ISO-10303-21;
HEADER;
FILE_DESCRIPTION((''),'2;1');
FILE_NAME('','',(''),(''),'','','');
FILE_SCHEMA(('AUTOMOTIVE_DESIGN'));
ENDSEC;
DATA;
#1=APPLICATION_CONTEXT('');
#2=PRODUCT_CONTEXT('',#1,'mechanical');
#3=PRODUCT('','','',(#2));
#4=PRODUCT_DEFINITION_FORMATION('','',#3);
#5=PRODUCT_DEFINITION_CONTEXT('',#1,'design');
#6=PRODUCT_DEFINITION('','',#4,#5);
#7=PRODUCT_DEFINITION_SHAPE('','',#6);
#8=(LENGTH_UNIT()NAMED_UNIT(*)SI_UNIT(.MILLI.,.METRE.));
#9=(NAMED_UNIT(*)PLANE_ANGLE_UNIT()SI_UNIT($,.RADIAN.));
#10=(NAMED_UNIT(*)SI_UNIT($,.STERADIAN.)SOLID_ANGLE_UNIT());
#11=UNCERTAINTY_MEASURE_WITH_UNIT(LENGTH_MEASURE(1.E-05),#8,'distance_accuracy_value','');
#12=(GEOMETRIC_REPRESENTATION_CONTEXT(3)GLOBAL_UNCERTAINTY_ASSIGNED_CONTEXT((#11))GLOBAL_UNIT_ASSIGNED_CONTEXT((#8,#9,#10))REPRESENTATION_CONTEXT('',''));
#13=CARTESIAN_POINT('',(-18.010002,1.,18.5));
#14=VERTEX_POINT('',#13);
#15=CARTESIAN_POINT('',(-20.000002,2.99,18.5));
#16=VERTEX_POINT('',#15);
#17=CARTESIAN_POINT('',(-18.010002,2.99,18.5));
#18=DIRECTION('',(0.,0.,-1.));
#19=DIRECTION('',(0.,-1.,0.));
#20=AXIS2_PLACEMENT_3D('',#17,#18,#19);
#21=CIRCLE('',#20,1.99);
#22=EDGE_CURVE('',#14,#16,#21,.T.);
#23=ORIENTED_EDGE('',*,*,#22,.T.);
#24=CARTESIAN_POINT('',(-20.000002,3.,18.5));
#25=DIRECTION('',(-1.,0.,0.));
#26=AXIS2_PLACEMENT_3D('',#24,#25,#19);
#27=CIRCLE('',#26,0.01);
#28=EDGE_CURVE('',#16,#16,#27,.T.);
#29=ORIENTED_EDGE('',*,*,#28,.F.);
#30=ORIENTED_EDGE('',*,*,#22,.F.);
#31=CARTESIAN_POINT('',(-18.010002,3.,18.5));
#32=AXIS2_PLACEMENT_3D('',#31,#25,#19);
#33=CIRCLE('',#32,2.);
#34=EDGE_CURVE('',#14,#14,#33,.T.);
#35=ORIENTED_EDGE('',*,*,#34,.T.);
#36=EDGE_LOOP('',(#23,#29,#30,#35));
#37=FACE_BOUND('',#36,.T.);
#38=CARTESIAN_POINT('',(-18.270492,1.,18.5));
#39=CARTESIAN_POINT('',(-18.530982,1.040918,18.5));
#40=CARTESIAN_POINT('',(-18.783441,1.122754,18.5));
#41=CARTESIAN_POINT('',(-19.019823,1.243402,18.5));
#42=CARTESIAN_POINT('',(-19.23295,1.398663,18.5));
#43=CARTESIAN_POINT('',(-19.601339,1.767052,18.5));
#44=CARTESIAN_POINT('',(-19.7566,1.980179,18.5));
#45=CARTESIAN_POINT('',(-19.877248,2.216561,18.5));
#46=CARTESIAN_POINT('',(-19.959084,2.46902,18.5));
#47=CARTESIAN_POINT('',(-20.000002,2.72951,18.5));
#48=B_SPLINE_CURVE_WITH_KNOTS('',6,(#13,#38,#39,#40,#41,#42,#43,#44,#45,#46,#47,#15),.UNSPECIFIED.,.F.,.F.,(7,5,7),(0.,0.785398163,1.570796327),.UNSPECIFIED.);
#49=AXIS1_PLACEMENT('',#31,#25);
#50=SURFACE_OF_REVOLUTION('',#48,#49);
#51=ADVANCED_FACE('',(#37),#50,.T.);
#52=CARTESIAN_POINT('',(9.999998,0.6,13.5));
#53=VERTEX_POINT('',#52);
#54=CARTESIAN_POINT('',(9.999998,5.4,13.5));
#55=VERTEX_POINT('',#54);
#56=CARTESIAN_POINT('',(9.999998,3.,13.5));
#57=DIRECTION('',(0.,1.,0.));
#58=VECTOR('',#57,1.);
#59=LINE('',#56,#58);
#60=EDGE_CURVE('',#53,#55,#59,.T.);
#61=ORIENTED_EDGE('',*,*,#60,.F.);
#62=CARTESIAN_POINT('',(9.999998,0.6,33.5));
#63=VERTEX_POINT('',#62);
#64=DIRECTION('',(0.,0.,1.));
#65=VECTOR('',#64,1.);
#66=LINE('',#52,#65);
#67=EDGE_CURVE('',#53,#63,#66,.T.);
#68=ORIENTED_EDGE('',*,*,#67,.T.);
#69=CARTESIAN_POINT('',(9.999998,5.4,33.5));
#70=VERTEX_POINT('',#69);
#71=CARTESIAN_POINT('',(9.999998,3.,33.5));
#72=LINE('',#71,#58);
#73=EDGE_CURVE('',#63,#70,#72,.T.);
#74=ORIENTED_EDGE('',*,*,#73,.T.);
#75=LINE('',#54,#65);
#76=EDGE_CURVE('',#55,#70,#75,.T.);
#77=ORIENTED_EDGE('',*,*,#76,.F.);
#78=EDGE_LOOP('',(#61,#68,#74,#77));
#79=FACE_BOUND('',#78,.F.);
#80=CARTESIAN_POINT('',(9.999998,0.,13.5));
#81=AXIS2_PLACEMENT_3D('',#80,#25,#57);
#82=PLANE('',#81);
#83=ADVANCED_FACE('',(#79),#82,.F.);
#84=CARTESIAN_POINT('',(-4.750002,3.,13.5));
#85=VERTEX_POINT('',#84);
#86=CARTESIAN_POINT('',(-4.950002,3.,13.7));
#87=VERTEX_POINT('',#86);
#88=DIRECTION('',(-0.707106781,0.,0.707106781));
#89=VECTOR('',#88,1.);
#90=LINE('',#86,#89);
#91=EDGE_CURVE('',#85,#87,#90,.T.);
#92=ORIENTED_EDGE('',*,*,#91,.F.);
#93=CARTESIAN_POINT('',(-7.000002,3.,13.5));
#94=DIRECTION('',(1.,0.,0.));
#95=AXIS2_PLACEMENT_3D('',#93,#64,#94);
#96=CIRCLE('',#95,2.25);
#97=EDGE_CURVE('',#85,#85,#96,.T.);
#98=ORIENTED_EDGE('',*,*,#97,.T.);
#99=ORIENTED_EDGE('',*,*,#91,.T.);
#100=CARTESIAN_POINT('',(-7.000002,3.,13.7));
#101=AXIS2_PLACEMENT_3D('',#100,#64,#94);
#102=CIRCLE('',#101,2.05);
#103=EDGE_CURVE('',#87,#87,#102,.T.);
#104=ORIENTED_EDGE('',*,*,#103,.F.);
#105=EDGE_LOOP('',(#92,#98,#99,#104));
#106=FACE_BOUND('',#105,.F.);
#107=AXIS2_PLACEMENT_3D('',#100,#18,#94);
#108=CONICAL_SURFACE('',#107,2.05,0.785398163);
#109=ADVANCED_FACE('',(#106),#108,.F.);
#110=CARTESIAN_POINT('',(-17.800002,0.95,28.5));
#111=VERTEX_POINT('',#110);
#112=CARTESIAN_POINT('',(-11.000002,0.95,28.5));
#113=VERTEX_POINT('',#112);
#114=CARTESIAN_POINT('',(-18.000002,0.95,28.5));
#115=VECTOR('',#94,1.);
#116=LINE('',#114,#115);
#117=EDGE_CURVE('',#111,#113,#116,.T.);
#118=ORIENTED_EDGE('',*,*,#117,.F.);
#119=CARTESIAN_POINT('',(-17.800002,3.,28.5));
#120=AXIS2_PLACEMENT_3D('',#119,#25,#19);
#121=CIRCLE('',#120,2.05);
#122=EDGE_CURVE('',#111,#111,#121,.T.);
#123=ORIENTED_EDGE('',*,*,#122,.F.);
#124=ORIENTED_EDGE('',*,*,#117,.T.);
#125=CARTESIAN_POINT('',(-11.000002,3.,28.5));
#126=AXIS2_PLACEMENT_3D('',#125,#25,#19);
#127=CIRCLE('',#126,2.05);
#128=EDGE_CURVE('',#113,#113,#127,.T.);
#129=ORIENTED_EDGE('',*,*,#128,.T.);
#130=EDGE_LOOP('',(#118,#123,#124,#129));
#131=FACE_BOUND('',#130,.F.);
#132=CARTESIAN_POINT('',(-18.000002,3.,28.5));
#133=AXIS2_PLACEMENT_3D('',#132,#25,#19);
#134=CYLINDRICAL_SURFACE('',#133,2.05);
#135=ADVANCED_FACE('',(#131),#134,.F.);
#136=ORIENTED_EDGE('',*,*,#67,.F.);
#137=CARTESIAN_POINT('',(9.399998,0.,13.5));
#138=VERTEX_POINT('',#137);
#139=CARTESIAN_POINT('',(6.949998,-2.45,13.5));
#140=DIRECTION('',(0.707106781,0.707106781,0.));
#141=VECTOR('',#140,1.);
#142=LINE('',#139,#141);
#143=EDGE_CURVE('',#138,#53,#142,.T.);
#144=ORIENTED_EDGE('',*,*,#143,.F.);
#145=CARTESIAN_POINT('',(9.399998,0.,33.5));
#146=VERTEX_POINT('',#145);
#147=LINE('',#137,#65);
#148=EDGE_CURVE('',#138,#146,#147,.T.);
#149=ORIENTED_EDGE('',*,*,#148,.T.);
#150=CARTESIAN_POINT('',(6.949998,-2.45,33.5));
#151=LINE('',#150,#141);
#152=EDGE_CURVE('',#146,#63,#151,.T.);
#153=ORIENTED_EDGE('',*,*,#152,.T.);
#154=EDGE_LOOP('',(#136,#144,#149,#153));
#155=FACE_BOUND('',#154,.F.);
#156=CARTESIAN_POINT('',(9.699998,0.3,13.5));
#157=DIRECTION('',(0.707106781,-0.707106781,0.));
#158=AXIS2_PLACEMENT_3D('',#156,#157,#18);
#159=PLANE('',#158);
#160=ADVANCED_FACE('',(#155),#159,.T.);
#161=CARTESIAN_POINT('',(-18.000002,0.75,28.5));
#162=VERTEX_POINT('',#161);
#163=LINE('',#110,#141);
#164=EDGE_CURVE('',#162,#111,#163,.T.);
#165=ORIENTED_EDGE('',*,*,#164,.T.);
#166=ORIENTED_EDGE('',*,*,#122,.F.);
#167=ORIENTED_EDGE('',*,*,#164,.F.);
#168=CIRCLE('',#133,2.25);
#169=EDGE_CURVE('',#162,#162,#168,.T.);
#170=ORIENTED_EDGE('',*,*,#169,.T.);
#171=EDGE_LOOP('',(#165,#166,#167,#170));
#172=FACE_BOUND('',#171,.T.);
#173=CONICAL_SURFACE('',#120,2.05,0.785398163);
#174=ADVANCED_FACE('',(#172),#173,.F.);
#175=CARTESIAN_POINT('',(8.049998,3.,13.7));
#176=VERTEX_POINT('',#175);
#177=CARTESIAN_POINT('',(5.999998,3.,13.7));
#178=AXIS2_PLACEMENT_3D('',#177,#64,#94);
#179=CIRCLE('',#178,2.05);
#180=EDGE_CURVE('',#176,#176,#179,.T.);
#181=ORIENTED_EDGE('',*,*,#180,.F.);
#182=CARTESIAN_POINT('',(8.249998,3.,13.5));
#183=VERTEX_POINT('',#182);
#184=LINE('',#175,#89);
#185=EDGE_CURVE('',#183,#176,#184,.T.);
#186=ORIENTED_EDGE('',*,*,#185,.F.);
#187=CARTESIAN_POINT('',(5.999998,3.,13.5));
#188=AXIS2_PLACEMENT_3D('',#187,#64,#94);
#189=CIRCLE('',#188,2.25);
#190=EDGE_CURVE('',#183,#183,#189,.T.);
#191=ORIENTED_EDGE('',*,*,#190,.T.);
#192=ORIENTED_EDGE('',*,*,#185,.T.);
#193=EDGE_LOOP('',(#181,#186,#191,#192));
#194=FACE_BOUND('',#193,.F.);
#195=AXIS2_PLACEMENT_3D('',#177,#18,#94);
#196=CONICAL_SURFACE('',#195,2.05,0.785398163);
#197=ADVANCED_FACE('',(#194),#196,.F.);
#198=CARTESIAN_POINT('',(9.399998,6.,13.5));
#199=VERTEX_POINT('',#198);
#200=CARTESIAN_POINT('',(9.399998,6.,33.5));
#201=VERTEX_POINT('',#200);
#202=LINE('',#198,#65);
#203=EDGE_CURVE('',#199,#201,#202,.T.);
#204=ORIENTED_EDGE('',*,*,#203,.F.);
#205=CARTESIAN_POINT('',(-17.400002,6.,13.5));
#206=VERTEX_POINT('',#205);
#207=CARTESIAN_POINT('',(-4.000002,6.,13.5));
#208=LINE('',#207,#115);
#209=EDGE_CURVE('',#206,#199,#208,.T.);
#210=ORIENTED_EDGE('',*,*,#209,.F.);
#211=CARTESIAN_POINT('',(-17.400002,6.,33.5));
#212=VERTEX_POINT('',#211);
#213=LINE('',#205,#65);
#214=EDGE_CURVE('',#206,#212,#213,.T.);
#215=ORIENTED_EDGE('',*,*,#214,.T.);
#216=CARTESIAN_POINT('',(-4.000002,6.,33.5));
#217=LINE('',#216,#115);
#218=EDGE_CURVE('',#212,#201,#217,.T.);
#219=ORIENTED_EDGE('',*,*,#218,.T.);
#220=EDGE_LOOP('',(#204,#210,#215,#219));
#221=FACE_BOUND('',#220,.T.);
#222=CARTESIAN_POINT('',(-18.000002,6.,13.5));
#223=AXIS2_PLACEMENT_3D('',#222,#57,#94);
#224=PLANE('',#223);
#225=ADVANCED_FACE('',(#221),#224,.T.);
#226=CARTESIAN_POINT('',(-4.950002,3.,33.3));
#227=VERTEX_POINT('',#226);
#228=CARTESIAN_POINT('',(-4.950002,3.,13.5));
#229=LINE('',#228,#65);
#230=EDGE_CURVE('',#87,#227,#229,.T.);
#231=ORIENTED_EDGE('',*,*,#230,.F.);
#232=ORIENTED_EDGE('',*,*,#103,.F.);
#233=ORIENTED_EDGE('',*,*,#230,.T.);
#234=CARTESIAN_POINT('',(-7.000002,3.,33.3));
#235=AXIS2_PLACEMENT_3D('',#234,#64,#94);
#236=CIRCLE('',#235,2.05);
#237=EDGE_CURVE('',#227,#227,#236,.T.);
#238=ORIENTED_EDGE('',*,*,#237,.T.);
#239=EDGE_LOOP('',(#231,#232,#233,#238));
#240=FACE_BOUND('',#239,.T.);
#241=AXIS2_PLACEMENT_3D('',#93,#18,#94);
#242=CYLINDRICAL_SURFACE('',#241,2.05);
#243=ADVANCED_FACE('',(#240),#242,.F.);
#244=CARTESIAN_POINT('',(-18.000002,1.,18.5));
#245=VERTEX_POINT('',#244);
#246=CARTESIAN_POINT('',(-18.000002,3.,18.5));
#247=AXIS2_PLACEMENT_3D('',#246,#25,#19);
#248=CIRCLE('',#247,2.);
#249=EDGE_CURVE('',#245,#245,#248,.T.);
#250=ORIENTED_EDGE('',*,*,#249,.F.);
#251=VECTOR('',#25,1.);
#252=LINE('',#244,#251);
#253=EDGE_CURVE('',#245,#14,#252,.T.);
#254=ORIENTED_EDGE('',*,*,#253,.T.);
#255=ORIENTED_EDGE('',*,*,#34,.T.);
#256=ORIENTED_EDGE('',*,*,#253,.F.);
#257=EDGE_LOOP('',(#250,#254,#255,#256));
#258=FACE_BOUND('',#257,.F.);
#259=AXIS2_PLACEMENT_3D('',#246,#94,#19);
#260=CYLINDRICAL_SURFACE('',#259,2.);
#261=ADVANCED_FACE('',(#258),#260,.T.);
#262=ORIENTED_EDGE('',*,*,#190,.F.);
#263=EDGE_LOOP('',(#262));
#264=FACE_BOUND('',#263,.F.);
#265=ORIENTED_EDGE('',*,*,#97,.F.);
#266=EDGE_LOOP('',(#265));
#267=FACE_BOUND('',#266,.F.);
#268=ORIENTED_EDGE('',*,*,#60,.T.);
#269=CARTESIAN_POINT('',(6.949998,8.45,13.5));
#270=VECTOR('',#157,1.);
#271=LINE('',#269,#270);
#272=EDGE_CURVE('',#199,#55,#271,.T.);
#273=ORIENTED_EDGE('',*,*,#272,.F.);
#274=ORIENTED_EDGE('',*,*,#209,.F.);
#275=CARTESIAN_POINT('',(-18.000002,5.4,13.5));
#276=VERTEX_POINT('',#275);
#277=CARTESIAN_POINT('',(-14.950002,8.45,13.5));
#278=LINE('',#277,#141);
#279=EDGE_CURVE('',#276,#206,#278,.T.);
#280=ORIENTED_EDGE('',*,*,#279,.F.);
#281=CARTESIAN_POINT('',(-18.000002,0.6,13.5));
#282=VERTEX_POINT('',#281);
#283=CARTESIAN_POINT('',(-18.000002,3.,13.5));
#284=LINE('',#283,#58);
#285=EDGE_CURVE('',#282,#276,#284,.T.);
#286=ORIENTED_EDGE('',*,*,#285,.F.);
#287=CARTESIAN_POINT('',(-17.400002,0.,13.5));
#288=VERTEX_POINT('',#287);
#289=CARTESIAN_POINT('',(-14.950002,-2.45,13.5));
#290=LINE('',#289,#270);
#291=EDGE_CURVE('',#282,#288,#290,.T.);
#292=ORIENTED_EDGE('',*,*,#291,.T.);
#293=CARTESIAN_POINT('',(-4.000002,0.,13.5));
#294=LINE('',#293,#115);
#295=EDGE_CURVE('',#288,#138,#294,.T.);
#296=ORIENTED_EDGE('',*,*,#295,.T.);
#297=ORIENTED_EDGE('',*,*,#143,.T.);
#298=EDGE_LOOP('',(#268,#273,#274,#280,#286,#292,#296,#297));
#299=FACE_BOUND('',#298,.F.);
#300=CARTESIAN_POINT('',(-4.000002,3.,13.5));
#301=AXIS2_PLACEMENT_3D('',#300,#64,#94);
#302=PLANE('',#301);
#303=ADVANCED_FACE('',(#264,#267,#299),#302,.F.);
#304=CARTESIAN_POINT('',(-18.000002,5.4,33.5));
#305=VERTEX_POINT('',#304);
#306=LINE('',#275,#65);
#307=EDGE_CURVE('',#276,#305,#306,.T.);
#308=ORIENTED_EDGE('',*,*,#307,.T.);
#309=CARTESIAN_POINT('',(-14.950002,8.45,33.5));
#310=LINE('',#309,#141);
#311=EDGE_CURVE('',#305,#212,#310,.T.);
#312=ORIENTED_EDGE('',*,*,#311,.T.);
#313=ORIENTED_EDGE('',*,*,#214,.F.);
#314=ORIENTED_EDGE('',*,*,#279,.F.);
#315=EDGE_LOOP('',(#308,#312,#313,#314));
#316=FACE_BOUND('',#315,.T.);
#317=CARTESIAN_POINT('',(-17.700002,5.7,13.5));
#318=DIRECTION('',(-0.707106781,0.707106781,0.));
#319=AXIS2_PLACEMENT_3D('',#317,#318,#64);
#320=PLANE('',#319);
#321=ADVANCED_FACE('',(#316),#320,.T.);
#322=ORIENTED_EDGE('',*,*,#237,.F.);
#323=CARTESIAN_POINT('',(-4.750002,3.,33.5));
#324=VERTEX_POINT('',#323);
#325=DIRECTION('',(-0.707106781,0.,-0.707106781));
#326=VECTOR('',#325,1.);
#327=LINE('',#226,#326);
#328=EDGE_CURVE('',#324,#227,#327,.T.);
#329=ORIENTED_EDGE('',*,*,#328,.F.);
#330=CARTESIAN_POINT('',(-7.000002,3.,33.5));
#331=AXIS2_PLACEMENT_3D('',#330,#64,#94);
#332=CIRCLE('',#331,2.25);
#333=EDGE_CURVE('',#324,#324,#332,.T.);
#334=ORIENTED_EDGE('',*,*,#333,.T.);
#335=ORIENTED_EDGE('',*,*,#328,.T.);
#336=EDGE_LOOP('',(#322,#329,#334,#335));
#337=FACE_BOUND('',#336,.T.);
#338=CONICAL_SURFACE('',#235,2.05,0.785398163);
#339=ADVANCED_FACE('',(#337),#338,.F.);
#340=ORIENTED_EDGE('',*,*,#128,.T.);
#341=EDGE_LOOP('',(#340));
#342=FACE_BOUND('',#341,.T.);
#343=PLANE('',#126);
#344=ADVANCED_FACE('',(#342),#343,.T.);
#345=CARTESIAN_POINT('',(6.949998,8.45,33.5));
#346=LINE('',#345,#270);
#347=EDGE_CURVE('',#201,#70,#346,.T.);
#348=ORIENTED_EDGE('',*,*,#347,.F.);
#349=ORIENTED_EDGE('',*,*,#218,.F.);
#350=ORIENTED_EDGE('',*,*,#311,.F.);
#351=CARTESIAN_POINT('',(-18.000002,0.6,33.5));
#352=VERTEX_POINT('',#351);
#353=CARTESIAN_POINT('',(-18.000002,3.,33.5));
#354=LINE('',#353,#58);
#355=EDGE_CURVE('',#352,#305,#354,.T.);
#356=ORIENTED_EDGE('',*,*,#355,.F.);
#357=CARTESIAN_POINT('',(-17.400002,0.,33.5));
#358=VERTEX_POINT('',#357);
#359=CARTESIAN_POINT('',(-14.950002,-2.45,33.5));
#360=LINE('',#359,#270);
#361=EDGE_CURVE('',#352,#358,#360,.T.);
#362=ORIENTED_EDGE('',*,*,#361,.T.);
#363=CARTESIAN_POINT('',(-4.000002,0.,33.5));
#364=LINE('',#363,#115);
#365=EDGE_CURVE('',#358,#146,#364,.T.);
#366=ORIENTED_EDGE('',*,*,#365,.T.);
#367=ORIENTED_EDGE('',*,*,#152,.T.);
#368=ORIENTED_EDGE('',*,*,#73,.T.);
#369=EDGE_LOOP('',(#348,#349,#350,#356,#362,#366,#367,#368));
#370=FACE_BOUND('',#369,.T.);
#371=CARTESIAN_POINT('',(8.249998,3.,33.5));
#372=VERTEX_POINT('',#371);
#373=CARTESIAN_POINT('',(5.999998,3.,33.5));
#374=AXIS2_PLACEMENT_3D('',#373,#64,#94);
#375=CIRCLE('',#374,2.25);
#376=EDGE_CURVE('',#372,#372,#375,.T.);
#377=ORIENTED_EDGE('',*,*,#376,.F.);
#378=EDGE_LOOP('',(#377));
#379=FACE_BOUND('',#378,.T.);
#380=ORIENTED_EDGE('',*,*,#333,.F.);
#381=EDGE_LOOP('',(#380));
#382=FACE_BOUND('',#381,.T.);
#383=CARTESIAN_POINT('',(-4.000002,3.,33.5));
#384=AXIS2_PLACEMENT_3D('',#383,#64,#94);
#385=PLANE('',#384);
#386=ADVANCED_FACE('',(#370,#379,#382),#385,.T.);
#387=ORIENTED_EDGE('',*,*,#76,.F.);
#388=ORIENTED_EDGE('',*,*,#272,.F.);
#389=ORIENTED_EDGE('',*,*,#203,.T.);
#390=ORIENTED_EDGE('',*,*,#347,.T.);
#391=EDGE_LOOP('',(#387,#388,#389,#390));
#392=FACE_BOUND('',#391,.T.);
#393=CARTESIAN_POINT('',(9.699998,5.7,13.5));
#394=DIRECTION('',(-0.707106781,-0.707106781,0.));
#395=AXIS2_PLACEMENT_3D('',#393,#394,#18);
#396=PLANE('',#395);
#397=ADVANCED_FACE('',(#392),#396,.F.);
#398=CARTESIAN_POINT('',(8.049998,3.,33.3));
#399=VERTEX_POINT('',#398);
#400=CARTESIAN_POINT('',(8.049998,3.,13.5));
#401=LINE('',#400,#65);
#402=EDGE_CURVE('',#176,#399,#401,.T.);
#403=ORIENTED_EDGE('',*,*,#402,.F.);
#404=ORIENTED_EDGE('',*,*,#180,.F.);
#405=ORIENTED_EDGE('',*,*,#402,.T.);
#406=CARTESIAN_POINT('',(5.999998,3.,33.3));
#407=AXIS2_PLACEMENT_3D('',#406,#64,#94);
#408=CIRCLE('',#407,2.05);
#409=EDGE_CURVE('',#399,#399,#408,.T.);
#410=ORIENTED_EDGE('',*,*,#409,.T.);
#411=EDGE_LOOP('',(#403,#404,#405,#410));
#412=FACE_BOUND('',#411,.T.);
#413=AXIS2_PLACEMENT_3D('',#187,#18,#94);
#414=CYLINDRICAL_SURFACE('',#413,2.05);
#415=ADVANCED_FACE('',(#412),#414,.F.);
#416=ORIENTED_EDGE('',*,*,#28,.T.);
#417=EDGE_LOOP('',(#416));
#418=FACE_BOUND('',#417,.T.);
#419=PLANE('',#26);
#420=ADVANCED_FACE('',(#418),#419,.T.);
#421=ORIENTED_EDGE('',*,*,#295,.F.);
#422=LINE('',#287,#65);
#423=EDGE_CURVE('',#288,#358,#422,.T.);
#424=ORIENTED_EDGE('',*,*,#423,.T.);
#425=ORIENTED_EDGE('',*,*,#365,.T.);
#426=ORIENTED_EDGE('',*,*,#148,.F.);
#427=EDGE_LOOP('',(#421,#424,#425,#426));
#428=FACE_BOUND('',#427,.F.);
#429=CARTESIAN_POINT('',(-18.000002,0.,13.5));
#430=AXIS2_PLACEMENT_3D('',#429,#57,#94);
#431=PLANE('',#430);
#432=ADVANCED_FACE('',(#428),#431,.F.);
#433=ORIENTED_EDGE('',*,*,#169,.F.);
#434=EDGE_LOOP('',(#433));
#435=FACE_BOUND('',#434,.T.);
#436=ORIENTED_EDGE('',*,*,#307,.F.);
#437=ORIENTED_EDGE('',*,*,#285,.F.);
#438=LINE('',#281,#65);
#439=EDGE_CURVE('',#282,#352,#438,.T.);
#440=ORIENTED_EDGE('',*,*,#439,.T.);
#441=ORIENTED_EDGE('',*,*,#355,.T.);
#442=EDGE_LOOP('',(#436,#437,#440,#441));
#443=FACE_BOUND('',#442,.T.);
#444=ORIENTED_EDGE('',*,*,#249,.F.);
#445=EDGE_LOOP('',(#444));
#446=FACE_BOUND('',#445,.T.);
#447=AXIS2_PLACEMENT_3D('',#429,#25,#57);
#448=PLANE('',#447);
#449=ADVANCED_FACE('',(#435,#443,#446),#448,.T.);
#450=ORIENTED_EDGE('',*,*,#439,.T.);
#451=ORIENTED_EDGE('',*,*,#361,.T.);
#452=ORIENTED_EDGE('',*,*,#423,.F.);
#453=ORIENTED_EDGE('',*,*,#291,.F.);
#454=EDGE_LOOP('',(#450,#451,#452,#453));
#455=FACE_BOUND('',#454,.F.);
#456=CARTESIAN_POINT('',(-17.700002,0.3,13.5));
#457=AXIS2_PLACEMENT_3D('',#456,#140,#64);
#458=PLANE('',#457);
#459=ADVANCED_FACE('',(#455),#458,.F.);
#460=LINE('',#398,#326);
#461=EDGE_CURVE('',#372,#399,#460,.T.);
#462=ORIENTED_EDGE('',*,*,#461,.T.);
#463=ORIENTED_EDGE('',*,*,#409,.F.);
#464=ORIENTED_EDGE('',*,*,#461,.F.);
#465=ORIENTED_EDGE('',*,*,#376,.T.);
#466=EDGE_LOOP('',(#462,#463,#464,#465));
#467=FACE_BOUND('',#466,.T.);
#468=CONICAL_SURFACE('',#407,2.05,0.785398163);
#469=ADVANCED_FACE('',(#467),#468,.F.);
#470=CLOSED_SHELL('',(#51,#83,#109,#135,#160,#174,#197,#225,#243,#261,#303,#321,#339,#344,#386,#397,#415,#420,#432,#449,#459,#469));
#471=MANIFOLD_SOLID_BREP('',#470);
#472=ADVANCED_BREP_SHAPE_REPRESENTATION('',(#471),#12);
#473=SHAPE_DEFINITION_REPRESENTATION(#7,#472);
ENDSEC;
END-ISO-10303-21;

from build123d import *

# Parameters (mm, degrees)
SKETCH082_W     = 28
SKETCH082_H     = 6
SKETCH082_R     = 2.05
PAD047_DEPTH    = 20
SKETCH083_R     = 2.05
POCKET032_DEPTH = 7
SKETCH084_R     = 2
PAD048_DEPTH    = 2
FILLET022_R     = 1.99
CHAMFER027_SIZE = 0.6
CHAMFER028_SIZE = 0.2


with BuildPart() as part:
    # Sketch082 → Pad047 (new body)
    with BuildSketch(Plane.XY):
        with Locations((-4, 3)):
            Rectangle(SKETCH082_W, SKETCH082_H)
        with Locations((-7, 3)):
            Circle(SKETCH082_R, mode=Mode.SUBTRACT)
        with Locations((6, 3)):
            Circle(SKETCH082_R, mode=Mode.SUBTRACT)
    extrude(amount=PAD047_DEPTH)

    # Sketch083 (on Face2 of Pad047) → Pocket032 (cut)
    with BuildSketch(Plane(origin=(-18, 0, 0), x_dir=(0, -1, 0), z_dir=(-1, 0, 0))):
        with Locations((-3, 15)):
            Circle(SKETCH083_R)
    extrude(amount=-POCKET032_DEPTH, mode=Mode.SUBTRACT)

    # Sketch084 (on Face3 of Pocket032) → Pad048 (join)
    with BuildSketch(Plane(origin=(-18, 0, 0), x_dir=(0, -1, 0), z_dir=(-1, 0, 0))):
        with Locations((-3, 5)):
            Circle(SKETCH084_R)
    extrude(amount=PAD048_DEPTH)

    # Fillet022
    fillet022_edges = [part.edges().sort_by_distance(p)[0] for p in [
        (-20, 5, 5),
    ]]
    fillet(fillet022_edges, radius=FILLET022_R)

    # Chamfer027
    chamfer027_edges = [part.edges().sort_by_distance(p)[0] for p in [
        (10, 0, 10),
        (10, 6, 10),
        (-18, 0, 10),
        (-18, 6, 10),
    ]]
    chamfer(chamfer027_edges, length=CHAMFER027_SIZE)

    # Chamfer028
    chamfer028_edges = [part.edges().sort_by_distance(p)[0] for p in [
        (-9.05, 3, 20),
        (3.95, 3, 20),
        (-9.05, 3, 0),
        (3.95, 3, 0),
        (-18, 5.05, 15),
    ]]
    chamfer(chamfer028_edges, length=CHAMFER028_SIZE)


with BuildPart() as part_1:
    # Body039 placement: moved
    add(part.part.moved(Location((-2e-06, 0, 13.5))))


solid = part_1.part
